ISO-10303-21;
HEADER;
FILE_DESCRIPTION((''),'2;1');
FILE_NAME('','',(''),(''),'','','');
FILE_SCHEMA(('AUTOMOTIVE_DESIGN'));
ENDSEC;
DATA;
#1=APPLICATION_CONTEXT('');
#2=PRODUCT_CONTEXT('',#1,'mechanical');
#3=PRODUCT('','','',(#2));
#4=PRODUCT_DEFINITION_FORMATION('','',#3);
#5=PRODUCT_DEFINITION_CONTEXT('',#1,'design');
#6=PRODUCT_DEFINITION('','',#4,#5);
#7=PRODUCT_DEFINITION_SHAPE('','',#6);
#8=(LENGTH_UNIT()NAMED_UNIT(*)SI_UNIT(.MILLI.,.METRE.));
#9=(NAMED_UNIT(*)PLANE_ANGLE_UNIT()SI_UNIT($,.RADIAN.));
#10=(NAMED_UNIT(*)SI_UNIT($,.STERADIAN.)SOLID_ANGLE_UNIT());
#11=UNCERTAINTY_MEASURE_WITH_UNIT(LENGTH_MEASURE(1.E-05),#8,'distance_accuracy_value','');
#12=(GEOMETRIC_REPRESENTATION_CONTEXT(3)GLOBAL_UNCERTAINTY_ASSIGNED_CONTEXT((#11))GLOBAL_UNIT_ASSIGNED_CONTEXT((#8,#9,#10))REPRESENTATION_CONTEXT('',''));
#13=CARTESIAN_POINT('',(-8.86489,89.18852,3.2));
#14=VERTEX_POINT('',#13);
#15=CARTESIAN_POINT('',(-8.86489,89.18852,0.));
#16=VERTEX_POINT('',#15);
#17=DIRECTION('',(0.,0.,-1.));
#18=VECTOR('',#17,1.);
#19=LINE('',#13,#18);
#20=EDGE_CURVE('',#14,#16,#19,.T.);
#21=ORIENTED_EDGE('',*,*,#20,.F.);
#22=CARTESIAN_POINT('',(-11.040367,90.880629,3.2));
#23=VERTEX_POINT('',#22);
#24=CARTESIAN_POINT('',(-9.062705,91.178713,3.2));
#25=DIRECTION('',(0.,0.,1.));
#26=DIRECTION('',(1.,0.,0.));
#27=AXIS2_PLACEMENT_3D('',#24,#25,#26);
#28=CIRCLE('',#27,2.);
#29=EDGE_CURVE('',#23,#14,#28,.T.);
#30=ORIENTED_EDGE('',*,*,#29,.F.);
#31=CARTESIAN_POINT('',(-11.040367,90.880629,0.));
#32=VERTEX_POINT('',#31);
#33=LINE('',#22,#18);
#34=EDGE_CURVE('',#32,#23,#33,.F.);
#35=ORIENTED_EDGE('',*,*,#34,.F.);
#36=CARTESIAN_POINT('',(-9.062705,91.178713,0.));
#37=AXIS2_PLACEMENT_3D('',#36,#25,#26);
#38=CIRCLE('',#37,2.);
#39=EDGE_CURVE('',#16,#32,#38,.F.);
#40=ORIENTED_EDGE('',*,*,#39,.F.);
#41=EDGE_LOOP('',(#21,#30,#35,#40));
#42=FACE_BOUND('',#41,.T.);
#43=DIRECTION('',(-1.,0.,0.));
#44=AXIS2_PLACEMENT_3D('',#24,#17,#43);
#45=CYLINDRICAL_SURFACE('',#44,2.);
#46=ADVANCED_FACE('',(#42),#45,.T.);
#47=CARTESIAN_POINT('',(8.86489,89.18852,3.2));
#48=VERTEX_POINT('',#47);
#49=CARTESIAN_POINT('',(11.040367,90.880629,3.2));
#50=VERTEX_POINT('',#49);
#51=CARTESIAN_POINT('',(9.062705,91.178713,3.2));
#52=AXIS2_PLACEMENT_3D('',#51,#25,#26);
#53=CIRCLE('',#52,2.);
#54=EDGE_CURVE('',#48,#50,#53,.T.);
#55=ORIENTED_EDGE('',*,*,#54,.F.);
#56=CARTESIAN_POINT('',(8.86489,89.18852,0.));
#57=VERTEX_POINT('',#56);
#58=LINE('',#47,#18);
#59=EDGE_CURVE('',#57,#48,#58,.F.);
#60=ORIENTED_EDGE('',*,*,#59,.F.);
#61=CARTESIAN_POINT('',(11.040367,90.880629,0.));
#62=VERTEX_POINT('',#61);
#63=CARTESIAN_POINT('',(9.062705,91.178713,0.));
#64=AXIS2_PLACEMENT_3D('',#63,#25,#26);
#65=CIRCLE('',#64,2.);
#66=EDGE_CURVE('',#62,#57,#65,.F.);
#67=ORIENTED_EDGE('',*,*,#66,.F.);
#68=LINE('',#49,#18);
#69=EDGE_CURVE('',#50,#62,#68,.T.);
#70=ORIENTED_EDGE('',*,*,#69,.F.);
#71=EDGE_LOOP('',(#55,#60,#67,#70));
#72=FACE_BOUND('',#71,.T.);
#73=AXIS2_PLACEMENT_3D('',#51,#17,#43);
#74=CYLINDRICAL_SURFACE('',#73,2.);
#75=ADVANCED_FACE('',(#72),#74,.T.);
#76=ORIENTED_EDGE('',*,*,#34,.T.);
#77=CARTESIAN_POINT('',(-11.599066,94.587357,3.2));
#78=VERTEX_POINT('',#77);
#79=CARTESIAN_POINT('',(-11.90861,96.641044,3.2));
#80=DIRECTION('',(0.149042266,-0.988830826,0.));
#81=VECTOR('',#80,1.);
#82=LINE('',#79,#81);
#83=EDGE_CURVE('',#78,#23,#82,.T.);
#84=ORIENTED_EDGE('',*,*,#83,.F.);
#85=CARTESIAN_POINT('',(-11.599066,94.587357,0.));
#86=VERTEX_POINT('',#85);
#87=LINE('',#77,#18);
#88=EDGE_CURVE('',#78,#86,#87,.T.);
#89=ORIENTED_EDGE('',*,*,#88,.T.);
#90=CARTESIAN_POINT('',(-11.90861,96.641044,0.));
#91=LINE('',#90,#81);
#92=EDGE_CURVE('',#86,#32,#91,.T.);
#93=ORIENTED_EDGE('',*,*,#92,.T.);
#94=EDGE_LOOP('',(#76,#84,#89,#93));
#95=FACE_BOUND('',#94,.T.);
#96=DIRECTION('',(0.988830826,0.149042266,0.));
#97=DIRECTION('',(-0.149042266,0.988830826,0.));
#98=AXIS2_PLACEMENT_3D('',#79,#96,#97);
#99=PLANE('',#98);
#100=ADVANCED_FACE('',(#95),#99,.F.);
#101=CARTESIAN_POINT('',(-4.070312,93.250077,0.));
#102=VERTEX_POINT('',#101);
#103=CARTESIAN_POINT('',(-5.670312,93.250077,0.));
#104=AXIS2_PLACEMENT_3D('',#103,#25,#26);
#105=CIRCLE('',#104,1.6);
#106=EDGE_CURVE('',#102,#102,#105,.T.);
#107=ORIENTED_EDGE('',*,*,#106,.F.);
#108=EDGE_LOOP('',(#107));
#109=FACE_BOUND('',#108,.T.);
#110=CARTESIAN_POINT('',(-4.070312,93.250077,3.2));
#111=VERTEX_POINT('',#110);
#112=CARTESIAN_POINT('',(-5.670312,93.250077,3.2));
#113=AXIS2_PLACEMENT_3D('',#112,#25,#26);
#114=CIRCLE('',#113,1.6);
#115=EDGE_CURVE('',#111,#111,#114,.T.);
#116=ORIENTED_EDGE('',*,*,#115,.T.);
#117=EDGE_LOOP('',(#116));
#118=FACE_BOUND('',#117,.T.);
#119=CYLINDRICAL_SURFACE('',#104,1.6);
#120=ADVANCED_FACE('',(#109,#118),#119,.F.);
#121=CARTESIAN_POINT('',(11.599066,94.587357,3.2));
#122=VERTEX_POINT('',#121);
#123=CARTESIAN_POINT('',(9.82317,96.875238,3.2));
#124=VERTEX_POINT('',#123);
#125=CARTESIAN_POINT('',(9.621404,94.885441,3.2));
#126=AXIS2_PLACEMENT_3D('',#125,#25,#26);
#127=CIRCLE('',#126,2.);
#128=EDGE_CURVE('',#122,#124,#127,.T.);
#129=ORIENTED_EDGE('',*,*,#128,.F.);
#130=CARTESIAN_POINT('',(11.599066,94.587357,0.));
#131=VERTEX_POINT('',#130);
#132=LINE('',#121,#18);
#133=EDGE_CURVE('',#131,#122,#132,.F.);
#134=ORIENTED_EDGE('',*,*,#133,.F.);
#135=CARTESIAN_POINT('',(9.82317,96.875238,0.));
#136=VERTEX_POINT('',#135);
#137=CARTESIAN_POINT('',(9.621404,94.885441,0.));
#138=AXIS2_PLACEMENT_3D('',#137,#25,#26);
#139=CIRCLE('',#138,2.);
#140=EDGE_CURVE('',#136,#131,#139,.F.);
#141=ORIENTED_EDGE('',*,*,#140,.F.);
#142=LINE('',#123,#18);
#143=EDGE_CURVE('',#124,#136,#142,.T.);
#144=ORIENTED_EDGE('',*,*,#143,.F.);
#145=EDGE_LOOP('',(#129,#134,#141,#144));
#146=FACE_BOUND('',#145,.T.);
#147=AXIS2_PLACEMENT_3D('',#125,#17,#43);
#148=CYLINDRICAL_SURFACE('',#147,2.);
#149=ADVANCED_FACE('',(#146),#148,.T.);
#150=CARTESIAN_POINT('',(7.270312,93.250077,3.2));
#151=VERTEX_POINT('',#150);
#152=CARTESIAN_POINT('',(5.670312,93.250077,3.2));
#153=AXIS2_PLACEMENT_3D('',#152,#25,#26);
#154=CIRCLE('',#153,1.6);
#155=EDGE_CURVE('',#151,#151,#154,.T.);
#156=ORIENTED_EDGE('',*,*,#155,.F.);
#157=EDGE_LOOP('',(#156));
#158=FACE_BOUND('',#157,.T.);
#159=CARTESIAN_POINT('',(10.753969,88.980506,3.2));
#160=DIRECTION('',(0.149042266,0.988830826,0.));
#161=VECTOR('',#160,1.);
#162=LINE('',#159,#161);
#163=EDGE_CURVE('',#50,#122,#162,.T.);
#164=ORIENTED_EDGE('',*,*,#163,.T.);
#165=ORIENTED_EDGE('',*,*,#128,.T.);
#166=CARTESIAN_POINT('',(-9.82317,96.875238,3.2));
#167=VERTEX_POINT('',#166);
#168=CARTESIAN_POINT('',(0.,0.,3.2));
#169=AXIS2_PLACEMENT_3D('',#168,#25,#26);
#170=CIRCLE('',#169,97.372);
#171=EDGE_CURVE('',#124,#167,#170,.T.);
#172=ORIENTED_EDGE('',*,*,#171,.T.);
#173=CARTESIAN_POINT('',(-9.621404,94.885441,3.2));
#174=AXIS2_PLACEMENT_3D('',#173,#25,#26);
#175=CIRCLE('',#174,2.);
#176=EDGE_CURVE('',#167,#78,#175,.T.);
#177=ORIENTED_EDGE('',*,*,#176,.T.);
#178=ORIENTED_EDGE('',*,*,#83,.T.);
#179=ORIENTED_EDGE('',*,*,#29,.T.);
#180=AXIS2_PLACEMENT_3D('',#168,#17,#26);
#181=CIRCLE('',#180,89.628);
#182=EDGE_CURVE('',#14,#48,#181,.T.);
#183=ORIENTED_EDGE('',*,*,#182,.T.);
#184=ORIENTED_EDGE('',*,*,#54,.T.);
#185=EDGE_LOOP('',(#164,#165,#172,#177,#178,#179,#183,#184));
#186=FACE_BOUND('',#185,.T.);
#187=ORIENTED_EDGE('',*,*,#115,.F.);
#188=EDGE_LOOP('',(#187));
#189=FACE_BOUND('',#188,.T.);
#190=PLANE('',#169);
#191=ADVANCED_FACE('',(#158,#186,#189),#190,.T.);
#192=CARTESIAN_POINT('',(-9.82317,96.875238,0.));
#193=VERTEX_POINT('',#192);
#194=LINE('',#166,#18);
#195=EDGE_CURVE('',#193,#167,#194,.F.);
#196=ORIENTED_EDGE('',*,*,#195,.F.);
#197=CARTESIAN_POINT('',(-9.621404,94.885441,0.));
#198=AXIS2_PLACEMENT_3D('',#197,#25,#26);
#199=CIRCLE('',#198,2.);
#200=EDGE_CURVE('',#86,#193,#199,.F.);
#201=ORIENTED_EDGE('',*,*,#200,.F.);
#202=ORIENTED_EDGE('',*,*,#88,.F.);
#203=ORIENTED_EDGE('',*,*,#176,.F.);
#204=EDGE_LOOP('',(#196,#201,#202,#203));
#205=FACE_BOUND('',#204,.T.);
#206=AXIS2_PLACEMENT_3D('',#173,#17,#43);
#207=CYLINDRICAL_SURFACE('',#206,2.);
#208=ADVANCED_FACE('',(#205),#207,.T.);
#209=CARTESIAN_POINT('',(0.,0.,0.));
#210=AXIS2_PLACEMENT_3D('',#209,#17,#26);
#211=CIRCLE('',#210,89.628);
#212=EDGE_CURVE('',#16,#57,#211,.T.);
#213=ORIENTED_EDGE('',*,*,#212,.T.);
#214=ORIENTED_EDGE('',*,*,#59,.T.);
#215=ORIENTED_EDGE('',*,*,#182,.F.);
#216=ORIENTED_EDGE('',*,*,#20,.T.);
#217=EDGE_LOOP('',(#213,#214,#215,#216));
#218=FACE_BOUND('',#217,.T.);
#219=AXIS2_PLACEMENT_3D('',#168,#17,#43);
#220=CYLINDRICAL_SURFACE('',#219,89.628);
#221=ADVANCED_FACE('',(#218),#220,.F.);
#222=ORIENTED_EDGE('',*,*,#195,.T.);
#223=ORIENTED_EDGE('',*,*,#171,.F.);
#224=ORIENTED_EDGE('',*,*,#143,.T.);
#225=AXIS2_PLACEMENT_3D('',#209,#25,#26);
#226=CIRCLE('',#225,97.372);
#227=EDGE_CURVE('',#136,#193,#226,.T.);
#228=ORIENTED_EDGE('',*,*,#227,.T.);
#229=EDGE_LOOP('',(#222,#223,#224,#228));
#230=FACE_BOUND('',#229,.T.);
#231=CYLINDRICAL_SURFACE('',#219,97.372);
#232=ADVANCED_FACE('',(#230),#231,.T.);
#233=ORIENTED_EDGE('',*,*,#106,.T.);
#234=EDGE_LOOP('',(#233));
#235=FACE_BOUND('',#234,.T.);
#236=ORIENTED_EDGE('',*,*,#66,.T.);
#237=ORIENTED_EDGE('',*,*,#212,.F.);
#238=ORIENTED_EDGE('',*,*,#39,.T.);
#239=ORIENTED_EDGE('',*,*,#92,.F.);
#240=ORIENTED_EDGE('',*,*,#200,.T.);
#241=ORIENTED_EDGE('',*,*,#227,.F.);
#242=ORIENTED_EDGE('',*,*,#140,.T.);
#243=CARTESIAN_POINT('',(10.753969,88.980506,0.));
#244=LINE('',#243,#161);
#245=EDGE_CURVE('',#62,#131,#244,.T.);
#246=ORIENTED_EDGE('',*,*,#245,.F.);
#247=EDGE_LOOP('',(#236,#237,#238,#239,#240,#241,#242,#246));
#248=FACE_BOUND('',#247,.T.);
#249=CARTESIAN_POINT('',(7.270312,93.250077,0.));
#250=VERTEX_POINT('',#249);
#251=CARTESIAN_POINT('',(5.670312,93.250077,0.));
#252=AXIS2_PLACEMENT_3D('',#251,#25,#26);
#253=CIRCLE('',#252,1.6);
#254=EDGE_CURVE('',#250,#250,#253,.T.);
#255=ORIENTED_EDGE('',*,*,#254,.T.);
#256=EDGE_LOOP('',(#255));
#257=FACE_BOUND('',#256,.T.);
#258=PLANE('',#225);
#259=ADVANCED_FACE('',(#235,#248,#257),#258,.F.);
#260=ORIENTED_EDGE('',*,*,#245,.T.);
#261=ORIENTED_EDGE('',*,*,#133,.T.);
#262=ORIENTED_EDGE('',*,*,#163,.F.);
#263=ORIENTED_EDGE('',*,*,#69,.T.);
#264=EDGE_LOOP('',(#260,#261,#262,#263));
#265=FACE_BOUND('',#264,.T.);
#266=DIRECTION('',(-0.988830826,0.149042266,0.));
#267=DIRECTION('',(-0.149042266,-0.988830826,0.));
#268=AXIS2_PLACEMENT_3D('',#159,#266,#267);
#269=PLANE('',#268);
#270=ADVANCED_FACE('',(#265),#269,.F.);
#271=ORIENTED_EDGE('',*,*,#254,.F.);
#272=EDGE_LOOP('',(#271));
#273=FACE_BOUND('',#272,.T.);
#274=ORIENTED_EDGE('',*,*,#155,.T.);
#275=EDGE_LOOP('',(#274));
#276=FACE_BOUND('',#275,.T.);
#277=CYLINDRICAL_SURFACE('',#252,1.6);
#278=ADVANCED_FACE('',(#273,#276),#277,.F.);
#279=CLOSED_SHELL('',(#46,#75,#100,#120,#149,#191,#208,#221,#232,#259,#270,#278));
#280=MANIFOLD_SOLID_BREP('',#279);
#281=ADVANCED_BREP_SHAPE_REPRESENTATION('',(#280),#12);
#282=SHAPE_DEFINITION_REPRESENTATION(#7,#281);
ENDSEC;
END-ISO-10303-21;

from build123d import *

# Parameters (mm, degrees)
BOSS_EXTRUDE1_DEPTH = 3.2
FILLET1_R           = 2
SKETCH2_R           = 1.6
CUT_EXTRUDE1_DEPTH  = 99.11525581


with BuildPart() as part:
    # Sketch1 → Boss-Extrude1 (new body)
    with BuildSketch(Plane.XY):
        with BuildLine():
            Line((-11.908609546, 96.641044089), (-10.753969279, 88.980506454))
            ThreePointArc((-10.753969279, 88.980506454), (0, 89.628), (10.753969279, 88.980506454))
            Line((10.753969279, 88.980506454), (11.908609546, 96.641044089))
            ThreePointArc((11.908609546, 96.641044089), (0, 97.372), (-11.908609546, 96.641044089))
        make_face()
    extrude(amount=BOSS_EXTRUDE1_DEPTH)

    # Fillet1
    fillet1_edges = [part.edges().sort_by_distance(p)[0] for p in [
        (11.908609546, 96.641044089, 1.6),
        (10.753969279, 88.980506454, 1.6),
        (-10.753969279, 88.980506454, 1.6),
        (-11.908609546, 96.641044089, 1.6),
    ]]
    fillet(fillet1_edges, radius=FILLET1_R)

    # Sketch2 → Cut-Extrude1 (cut, through all)
    with BuildSketch(Plane.XY.offset(3.2)):
        with Locations((-5.670312341, 93.250077468)):
            Circle(SKETCH2_R)
        with Locations((5.670312341, 93.250077468)):
            Circle(SKETCH2_R)
    extrude(amount=-CUT_EXTRUDE1_DEPTH, mode=Mode.SUBTRACT)


solid = part.part
